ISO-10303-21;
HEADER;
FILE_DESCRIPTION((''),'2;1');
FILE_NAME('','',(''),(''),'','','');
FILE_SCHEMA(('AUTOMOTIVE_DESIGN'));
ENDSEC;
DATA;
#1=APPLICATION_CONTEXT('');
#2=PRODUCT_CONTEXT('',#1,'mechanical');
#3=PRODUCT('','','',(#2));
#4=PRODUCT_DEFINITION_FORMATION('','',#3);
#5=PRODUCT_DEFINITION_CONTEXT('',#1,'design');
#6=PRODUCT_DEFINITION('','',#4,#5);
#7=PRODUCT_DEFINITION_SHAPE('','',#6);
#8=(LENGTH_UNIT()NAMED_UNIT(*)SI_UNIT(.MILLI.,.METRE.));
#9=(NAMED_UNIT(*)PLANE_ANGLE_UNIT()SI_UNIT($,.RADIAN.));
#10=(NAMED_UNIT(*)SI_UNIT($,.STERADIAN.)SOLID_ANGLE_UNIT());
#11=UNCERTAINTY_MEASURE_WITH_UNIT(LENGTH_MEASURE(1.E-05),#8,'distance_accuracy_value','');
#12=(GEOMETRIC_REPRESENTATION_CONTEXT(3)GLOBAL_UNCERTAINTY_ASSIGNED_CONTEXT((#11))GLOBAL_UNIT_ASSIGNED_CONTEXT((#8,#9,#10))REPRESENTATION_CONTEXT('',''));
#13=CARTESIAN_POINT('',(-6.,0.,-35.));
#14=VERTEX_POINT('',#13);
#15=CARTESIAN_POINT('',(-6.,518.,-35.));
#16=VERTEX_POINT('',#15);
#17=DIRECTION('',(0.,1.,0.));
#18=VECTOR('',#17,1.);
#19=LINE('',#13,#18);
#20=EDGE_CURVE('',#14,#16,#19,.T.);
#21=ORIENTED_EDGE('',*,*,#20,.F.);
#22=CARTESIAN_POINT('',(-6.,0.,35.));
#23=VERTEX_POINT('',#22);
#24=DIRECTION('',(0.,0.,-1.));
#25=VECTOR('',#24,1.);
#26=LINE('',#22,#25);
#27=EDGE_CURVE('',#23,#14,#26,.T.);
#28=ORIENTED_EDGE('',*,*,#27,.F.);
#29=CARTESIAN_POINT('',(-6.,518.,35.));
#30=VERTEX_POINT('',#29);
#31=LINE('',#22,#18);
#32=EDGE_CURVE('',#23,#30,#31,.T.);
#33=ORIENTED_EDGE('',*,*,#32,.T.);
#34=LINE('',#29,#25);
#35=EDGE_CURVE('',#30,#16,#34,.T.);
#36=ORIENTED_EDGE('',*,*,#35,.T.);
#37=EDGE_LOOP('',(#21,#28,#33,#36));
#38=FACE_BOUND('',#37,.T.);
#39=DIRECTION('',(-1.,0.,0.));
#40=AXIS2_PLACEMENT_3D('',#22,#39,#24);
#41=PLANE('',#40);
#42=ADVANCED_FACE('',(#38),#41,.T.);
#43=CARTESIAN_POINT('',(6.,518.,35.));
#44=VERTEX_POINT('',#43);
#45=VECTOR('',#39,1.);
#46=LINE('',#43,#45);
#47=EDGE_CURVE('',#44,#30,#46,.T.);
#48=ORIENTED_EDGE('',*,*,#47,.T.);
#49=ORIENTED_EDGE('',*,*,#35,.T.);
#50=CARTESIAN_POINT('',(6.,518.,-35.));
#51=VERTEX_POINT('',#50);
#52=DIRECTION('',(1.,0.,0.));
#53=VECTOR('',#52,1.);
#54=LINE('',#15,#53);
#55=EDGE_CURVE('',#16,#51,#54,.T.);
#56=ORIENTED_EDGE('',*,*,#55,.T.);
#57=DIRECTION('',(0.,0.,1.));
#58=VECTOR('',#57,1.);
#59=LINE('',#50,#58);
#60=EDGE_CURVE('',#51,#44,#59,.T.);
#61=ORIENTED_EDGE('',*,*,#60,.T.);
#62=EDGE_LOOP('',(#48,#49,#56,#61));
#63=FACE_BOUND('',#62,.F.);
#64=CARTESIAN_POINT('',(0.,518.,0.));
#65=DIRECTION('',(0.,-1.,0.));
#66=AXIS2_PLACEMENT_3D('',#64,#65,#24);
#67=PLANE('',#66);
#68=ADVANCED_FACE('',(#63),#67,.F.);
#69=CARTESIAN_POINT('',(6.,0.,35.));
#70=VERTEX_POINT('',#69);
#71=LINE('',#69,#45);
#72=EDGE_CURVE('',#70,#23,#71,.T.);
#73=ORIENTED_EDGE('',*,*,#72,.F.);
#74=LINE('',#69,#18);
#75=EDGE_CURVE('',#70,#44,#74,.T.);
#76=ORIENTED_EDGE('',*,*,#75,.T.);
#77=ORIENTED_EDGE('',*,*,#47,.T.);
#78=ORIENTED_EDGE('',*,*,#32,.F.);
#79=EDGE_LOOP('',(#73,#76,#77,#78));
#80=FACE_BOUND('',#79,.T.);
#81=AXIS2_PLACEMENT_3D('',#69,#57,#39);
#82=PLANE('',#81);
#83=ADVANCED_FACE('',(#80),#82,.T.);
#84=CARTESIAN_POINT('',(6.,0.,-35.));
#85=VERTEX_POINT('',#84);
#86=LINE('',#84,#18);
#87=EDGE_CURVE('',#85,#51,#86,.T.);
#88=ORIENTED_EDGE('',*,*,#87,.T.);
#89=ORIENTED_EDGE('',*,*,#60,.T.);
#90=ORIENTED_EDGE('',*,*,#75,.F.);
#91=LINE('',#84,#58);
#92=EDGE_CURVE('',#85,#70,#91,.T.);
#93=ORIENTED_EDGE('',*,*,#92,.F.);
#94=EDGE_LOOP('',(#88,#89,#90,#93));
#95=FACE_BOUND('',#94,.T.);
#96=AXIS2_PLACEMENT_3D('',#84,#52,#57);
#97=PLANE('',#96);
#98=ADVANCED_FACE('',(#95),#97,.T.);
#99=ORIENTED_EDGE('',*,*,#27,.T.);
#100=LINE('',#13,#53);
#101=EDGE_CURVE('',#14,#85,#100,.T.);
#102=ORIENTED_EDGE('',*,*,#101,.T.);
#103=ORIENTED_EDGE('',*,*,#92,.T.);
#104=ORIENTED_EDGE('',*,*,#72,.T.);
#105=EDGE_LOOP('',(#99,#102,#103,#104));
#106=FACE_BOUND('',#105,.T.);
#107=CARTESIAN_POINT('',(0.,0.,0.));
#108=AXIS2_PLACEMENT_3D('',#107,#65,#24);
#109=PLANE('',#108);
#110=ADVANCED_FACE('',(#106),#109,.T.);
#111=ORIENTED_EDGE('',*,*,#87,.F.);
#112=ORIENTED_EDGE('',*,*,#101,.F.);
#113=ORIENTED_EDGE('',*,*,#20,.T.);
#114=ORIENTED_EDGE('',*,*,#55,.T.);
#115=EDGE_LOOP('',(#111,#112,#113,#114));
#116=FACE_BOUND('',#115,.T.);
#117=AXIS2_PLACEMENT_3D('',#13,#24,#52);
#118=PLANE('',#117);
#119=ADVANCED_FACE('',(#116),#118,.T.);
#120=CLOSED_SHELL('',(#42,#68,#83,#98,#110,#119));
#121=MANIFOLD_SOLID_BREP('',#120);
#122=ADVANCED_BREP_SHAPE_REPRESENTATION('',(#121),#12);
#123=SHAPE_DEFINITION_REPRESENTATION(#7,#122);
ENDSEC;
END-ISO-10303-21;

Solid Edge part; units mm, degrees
sketch "Sketch1" plane through (0, 0, 0) normal (0, -1, 0) x (1, 0, 0)
  line L0 (-6, -35) -> (6, -35)
  line L1 (6, -35) -> (6, 35)
  line L2 (6, 35) -> (-6, 35)
  line L3 (-6, 35) -> (-6, -35)
extrude "Protrusion1" add sketch "Sketch1" against normal blind 518
